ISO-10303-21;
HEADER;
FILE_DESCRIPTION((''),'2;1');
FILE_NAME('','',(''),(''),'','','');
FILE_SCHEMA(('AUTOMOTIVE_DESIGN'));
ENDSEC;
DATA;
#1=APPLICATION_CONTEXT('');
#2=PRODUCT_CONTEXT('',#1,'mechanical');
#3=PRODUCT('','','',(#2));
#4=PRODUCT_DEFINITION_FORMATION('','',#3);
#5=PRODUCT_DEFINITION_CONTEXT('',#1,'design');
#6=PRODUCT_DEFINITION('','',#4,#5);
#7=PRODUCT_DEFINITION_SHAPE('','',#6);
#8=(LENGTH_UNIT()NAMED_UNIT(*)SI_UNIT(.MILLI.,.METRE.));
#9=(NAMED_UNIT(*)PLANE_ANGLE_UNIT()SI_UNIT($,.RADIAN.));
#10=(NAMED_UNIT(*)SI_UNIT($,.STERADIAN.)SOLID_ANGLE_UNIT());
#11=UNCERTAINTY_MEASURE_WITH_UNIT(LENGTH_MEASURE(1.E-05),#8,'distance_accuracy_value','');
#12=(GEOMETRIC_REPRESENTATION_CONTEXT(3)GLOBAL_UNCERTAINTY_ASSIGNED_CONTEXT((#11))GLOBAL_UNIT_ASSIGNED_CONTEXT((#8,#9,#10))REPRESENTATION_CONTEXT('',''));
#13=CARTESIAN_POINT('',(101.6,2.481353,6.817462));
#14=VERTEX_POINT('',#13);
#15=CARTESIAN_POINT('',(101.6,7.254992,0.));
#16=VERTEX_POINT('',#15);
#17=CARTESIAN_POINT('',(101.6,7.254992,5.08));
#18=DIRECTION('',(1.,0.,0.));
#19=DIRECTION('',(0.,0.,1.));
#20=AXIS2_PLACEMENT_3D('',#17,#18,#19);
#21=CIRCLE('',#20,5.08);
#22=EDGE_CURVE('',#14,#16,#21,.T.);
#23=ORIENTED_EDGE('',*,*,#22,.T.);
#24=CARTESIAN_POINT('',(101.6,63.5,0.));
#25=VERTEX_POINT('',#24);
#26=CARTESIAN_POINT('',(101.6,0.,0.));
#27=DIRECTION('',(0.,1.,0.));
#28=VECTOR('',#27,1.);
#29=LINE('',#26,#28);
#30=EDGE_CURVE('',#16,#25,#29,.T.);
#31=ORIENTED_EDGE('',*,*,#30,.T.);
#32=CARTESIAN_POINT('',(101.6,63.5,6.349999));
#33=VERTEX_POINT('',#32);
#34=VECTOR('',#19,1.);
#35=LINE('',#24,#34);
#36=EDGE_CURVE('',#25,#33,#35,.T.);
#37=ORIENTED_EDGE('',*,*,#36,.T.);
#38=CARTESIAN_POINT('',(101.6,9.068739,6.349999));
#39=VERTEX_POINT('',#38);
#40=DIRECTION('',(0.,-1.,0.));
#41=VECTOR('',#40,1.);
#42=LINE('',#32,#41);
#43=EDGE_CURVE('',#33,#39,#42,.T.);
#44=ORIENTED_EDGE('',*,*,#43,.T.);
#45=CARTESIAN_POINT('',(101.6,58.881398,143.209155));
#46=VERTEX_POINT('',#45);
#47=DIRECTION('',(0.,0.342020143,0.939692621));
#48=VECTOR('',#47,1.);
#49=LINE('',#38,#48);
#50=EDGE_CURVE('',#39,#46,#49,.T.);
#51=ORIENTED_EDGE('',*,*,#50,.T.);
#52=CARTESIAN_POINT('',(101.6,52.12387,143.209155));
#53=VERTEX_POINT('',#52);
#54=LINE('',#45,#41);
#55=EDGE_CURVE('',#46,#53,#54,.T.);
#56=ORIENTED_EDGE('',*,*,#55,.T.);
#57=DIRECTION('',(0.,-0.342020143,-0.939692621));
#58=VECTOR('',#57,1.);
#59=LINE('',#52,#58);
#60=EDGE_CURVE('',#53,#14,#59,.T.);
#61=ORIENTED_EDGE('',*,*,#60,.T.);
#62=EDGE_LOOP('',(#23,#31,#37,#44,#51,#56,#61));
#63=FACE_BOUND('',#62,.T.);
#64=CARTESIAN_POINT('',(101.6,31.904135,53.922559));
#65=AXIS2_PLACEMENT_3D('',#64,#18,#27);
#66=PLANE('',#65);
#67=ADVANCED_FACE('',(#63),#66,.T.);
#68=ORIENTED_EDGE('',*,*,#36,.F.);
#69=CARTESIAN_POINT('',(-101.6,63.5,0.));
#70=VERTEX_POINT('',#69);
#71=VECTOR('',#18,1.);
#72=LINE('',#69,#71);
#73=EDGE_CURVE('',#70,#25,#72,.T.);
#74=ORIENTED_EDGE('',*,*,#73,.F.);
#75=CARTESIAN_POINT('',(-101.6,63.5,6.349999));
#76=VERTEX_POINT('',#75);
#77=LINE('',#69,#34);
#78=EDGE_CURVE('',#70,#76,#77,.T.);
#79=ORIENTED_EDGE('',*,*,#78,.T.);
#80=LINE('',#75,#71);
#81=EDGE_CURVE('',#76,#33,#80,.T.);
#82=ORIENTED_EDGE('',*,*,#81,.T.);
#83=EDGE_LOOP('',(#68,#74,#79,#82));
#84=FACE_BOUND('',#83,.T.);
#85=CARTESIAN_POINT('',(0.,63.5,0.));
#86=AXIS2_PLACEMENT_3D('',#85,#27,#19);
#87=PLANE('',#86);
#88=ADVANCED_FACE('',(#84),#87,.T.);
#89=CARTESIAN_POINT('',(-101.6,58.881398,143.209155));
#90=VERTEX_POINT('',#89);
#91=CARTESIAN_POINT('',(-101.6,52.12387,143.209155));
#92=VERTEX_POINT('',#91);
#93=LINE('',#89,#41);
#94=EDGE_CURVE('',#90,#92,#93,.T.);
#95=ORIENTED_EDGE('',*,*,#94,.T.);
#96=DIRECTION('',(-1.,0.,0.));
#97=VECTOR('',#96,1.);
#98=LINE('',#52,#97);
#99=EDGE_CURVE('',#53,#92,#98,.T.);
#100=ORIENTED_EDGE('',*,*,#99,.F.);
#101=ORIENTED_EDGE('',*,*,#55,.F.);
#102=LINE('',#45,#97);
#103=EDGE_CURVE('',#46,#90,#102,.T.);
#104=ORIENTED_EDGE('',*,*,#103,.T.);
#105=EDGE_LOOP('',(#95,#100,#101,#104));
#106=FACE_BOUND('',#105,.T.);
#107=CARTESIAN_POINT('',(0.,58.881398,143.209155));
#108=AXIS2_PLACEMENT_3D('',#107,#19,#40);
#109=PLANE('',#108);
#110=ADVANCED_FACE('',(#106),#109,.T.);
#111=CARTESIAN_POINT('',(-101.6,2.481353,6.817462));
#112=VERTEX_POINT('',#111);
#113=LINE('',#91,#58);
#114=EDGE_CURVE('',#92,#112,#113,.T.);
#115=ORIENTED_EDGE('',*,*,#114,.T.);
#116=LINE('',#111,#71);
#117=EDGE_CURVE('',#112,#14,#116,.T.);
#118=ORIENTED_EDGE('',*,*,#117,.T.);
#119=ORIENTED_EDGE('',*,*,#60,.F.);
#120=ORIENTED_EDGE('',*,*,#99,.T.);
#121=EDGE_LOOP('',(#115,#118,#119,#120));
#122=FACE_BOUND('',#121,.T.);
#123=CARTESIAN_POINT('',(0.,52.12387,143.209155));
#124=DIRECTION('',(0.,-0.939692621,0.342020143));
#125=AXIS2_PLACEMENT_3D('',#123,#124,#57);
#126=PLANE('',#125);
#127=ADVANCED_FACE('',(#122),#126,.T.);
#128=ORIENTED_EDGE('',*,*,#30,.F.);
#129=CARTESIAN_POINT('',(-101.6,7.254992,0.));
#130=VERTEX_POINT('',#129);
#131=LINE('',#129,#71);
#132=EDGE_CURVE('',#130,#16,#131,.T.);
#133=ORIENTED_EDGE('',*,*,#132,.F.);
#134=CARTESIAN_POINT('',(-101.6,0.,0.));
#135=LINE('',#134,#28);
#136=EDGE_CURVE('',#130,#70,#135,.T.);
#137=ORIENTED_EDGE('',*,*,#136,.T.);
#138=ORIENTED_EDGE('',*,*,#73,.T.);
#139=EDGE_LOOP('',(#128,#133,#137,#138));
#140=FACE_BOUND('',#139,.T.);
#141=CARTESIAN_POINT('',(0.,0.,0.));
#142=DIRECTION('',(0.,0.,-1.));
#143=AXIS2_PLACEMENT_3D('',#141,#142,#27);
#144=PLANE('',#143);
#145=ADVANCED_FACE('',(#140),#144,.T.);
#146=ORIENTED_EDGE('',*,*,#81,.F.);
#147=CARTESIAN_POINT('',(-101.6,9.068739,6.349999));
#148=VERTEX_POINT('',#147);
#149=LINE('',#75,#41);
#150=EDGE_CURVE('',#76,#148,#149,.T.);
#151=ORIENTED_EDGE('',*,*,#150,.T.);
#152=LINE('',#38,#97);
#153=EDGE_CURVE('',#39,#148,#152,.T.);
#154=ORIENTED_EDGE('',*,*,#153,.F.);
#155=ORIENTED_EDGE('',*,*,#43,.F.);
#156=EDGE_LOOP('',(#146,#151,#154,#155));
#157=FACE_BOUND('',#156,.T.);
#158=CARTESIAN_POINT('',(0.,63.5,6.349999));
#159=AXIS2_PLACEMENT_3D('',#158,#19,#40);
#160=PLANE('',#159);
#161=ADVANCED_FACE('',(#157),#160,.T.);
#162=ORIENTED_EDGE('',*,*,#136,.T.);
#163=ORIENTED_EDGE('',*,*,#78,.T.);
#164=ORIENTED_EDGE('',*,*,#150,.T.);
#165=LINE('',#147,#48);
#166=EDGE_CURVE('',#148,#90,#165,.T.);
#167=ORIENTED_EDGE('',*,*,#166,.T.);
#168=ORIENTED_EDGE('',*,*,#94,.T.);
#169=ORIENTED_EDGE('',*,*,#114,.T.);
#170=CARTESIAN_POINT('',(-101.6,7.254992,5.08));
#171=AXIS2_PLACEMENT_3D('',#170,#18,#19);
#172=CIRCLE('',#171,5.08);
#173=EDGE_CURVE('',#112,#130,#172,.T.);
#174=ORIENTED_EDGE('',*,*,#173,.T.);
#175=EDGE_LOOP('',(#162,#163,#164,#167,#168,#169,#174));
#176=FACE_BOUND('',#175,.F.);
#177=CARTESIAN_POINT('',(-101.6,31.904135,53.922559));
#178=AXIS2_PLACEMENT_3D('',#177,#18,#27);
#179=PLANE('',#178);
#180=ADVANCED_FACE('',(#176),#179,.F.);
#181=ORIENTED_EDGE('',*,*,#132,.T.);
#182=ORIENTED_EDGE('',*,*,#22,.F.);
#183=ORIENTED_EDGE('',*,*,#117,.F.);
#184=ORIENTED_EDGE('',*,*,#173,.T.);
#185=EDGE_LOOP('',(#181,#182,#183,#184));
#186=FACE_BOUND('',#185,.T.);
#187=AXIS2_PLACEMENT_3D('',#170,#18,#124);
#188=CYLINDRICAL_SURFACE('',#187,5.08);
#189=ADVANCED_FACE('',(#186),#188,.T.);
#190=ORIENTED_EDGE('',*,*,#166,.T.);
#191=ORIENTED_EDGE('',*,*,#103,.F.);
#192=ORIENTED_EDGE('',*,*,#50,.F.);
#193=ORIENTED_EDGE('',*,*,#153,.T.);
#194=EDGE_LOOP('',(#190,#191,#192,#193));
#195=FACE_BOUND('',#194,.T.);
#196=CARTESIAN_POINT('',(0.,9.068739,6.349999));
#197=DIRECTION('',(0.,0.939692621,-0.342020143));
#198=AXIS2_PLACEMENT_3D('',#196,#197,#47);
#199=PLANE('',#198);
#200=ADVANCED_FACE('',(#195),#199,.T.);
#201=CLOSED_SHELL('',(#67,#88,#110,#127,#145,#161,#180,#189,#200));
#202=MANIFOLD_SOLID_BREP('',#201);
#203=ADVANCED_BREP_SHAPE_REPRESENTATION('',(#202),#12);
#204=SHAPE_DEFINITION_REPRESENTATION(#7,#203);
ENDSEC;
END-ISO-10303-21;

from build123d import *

# Parameters (mm, degrees)
F1_DEPTH = 101.6
F2_R     = 5.08


with BuildPart() as f1:
    # F0 (on Right) → F1 (new body, symmetric)
    with BuildSketch(Plane.YZ):
        Polygon((52.1238698428, 143.2091554078), (0, 0), (63.5, 0), (63.5, 6.3499992049), (9.0687387073, 6.3499992049), (58.8813978519, 143.2091554078), align=None)
    extrude(amount=F1_DEPTH, both=True)

    # F2
    f2_edges = [f1.edges().sort_by_distance(p)[0] for p in [
        (0, 0, 0),
    ]]
    fillet(f2_edges, radius=F2_R)


solid = f1.part
